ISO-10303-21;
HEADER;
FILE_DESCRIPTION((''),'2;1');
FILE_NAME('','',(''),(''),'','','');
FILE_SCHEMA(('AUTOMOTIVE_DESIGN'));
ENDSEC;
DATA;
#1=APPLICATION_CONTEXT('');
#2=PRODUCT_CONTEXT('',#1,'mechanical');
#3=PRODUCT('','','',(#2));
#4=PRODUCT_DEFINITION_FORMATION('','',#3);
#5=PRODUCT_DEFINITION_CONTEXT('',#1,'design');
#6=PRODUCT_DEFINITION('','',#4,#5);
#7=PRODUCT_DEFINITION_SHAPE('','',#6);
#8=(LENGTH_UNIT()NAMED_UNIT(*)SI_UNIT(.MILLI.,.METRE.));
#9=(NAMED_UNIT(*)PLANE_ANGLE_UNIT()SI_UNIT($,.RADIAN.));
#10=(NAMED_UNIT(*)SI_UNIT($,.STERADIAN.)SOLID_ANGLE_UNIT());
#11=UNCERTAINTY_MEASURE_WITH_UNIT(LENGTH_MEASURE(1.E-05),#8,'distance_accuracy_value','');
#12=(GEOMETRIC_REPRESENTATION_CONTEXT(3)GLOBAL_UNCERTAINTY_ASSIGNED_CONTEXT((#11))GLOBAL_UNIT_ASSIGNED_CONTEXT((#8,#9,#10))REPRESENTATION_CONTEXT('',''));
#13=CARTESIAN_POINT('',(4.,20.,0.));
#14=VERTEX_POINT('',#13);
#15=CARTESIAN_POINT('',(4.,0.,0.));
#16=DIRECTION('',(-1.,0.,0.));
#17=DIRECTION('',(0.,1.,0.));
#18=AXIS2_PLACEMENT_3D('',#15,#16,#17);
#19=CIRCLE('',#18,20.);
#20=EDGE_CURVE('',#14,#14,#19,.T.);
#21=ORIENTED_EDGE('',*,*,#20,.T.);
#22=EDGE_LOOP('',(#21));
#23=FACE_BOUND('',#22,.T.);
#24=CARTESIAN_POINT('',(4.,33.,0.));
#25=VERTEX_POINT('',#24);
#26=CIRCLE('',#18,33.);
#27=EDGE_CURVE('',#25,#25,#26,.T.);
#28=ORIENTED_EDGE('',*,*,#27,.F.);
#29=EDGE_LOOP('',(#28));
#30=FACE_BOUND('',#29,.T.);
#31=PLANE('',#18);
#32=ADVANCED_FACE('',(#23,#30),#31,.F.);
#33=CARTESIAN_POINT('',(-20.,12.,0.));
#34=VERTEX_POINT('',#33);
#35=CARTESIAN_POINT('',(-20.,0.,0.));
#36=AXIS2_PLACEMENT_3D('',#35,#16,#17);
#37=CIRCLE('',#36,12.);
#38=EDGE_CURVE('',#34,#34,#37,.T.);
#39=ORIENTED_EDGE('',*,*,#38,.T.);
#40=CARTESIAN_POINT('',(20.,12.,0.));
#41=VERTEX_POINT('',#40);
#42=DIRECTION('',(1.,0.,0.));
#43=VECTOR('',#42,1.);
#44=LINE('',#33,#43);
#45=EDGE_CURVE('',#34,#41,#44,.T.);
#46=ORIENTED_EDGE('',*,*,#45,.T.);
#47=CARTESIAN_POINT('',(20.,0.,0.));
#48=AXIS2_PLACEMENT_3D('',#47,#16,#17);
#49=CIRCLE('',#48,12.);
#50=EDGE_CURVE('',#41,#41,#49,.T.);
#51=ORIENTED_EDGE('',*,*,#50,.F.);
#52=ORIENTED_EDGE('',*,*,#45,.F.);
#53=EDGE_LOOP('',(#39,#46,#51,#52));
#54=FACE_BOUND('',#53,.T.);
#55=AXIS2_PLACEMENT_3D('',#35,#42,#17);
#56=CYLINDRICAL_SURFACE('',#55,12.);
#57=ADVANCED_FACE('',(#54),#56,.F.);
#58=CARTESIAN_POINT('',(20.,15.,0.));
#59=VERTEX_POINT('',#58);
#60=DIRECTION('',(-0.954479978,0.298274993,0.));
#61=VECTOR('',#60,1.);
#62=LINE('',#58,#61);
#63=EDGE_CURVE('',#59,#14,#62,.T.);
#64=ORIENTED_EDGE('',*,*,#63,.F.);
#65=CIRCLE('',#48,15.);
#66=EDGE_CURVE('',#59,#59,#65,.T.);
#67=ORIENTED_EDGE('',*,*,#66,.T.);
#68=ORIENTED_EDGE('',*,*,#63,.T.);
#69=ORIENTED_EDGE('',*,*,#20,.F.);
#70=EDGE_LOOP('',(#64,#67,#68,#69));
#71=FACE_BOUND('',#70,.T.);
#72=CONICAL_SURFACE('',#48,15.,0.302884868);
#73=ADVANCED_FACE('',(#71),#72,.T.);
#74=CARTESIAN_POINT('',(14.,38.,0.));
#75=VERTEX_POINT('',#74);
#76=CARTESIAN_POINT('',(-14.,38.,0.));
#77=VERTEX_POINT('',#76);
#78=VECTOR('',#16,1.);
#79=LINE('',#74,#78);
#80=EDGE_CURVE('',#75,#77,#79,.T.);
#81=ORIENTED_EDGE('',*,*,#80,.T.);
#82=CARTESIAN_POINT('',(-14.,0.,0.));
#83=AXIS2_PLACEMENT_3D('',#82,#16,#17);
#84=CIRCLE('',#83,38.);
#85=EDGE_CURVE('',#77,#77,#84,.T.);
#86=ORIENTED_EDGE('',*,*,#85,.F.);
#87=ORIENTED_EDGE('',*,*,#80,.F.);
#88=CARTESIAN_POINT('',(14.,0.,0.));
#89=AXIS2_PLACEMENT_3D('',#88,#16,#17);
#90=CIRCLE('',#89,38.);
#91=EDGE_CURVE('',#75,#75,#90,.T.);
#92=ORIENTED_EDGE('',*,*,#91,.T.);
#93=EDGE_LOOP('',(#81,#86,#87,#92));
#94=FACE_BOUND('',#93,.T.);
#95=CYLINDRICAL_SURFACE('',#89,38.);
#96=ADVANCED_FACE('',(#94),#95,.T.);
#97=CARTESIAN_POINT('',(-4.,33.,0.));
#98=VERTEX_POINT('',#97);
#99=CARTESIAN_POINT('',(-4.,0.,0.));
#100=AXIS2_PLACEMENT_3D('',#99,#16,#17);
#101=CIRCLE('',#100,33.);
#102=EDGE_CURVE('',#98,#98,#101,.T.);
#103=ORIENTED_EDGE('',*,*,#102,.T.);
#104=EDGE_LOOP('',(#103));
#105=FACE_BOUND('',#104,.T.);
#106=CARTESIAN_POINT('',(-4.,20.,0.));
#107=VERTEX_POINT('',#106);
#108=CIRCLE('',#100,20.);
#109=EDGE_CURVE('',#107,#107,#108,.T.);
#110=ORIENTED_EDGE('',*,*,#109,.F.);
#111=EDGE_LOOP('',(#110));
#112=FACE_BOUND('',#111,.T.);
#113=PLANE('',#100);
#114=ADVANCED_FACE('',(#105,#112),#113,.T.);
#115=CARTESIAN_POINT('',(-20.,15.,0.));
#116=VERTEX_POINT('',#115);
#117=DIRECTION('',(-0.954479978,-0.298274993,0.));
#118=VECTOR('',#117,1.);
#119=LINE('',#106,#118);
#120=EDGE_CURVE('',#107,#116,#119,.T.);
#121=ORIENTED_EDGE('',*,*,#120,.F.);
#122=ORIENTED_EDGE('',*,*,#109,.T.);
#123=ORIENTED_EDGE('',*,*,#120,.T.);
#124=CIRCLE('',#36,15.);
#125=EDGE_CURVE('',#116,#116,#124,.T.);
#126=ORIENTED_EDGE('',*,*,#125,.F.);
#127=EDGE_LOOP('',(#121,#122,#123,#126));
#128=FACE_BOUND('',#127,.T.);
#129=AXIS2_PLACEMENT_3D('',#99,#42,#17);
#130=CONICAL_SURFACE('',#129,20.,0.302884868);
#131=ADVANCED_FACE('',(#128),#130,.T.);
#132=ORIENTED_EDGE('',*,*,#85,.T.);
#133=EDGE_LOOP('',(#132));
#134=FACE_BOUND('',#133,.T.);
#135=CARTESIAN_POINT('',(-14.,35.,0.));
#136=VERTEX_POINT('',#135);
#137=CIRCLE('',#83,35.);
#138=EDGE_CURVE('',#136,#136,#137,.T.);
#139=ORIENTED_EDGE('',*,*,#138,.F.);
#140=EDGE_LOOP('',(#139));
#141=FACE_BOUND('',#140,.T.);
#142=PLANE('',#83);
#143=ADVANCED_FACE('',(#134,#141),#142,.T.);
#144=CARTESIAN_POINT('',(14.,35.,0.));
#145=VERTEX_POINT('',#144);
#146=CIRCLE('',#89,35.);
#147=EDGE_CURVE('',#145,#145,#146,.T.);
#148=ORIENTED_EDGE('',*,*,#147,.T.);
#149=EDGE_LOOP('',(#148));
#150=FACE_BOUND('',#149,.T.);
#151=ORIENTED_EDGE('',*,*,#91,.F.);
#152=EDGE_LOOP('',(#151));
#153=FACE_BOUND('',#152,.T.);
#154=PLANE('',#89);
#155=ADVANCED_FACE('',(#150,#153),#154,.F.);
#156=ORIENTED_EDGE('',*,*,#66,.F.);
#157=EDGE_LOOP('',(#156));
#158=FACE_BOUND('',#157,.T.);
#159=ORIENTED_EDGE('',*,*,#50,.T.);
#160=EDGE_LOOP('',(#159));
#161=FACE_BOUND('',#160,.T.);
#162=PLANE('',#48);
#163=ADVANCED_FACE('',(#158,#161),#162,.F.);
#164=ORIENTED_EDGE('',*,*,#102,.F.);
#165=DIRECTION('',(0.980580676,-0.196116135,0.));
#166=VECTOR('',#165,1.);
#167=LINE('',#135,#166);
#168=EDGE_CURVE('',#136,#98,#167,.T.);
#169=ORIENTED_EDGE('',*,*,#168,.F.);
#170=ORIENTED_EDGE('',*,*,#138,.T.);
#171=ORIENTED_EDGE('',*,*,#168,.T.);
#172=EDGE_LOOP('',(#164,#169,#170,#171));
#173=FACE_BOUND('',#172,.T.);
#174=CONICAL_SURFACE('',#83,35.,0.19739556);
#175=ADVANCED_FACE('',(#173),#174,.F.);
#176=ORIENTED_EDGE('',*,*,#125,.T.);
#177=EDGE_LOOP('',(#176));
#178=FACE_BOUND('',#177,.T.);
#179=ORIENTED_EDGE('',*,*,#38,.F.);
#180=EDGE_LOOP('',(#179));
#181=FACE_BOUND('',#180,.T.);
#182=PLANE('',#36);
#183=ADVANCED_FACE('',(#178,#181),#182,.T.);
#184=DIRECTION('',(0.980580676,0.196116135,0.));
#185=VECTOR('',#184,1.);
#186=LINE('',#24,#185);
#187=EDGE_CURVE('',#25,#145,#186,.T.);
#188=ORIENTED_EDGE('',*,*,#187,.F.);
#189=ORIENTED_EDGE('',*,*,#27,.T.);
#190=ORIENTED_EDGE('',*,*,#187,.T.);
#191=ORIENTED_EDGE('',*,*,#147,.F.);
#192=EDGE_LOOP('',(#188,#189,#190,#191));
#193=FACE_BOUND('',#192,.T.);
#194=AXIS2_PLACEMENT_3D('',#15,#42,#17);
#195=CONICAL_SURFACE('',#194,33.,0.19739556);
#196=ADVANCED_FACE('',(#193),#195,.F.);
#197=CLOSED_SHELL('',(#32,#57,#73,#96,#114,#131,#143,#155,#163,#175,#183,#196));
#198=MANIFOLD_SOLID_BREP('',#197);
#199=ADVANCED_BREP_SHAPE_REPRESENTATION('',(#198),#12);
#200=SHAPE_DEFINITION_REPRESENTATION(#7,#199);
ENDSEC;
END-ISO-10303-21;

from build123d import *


with BuildPart() as part:
    # Sketch1 → Revolve1 (revolve)
    with BuildSketch(Plane.XY):
        Polygon((20, 12), (20, 15), (4, 20), (4, 33), (14, 35), (14, 38), (-14, 38), (-14, 35), (-4, 33), (-4, 20), (-20, 15), (-20, 12), align=None)
    revolve(axis=Axis((90.00864964, 0, 0), (-1, 0, 0)))


solid = part.part
